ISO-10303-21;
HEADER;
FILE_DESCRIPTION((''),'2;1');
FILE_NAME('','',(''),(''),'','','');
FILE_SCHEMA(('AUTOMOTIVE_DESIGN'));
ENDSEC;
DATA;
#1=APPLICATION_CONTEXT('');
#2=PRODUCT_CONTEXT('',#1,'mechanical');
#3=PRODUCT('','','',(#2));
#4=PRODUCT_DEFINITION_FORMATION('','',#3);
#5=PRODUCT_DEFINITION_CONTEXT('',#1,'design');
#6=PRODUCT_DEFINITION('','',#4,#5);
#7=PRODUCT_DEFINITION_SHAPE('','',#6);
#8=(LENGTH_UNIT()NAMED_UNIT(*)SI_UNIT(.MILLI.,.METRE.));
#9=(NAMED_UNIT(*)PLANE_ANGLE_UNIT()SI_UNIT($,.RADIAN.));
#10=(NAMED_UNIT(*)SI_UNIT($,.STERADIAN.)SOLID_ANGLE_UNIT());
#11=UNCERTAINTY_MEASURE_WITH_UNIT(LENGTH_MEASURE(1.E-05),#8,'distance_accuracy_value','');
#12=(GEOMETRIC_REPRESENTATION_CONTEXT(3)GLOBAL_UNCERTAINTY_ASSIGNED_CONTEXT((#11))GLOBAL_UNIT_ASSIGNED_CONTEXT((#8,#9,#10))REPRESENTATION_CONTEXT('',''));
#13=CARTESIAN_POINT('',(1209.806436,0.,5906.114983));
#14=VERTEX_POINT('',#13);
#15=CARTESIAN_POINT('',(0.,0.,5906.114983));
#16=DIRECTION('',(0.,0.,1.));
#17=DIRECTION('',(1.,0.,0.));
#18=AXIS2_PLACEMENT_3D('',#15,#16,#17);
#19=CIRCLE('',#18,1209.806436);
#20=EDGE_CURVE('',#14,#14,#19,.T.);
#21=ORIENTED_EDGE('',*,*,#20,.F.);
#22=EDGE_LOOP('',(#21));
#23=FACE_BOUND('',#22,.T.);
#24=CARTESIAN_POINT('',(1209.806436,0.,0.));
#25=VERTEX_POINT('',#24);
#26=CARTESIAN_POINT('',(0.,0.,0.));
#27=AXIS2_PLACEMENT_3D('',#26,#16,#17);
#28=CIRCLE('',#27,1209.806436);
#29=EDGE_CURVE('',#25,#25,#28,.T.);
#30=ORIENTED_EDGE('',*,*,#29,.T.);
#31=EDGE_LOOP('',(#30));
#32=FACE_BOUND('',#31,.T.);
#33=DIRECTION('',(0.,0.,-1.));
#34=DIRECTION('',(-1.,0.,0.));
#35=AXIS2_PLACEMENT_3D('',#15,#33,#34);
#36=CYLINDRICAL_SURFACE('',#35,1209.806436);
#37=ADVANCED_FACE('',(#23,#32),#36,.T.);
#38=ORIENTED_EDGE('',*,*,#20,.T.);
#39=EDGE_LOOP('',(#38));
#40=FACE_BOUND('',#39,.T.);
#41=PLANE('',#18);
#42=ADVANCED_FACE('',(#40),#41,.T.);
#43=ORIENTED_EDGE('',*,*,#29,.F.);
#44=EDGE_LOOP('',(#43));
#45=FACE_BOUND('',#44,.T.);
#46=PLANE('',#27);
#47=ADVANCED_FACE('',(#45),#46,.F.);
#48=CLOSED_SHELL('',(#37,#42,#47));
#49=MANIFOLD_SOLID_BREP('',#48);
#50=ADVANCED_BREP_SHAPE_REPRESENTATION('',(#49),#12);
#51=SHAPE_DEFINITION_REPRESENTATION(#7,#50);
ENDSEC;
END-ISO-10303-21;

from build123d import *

# Parameters (mm, degrees)
SKETCH1_R          = 1209.806435856
NACELLE_BODY_DEPTH = 5906.114982768


with BuildPart() as part:
    # Sketch1 → Nacelle body (new body)
    with BuildSketch(Plane.XY):
        Circle(SKETCH1_R)
    extrude(amount=NACELLE_BODY_DEPTH)


solid = part.part
